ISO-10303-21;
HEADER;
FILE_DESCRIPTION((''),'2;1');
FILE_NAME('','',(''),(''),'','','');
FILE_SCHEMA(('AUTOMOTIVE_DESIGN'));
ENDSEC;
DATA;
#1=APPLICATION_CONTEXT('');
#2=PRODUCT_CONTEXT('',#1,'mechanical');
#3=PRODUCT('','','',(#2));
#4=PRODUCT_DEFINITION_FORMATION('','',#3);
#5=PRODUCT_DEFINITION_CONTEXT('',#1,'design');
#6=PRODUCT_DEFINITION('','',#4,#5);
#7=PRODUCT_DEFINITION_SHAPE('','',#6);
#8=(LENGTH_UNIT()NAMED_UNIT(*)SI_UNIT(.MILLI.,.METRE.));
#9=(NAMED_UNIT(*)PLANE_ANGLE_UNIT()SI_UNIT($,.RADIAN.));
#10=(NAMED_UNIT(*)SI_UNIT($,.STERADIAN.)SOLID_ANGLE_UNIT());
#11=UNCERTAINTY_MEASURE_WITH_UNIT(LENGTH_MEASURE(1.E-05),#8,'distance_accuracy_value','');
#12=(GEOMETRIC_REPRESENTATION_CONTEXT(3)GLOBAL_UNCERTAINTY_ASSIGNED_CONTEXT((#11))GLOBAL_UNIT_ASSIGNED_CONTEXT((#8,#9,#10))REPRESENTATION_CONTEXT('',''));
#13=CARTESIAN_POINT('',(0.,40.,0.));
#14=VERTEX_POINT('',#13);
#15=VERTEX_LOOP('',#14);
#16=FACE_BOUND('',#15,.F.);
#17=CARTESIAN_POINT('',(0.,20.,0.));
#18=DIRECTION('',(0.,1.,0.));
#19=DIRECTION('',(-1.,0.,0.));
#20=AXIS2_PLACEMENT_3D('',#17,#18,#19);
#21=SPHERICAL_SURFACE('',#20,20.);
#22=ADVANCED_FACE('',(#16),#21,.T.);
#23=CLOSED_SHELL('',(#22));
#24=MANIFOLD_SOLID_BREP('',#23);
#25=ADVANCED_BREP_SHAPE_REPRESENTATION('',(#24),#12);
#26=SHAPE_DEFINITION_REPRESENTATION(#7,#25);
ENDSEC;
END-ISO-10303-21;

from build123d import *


with BuildPart() as part:
    # Esquisse1 → Révolution1 (revolve)
    with BuildSketch(Plane.XY):
        with BuildLine():
            Line((0, 40), (0, 0))
            ThreePointArc((0, 0), (-20, 20), (0, 40))
        make_face()
    revolve(axis=Axis((0, 51.249675259, 0), (0, -1, 0)))


solid = part.part
